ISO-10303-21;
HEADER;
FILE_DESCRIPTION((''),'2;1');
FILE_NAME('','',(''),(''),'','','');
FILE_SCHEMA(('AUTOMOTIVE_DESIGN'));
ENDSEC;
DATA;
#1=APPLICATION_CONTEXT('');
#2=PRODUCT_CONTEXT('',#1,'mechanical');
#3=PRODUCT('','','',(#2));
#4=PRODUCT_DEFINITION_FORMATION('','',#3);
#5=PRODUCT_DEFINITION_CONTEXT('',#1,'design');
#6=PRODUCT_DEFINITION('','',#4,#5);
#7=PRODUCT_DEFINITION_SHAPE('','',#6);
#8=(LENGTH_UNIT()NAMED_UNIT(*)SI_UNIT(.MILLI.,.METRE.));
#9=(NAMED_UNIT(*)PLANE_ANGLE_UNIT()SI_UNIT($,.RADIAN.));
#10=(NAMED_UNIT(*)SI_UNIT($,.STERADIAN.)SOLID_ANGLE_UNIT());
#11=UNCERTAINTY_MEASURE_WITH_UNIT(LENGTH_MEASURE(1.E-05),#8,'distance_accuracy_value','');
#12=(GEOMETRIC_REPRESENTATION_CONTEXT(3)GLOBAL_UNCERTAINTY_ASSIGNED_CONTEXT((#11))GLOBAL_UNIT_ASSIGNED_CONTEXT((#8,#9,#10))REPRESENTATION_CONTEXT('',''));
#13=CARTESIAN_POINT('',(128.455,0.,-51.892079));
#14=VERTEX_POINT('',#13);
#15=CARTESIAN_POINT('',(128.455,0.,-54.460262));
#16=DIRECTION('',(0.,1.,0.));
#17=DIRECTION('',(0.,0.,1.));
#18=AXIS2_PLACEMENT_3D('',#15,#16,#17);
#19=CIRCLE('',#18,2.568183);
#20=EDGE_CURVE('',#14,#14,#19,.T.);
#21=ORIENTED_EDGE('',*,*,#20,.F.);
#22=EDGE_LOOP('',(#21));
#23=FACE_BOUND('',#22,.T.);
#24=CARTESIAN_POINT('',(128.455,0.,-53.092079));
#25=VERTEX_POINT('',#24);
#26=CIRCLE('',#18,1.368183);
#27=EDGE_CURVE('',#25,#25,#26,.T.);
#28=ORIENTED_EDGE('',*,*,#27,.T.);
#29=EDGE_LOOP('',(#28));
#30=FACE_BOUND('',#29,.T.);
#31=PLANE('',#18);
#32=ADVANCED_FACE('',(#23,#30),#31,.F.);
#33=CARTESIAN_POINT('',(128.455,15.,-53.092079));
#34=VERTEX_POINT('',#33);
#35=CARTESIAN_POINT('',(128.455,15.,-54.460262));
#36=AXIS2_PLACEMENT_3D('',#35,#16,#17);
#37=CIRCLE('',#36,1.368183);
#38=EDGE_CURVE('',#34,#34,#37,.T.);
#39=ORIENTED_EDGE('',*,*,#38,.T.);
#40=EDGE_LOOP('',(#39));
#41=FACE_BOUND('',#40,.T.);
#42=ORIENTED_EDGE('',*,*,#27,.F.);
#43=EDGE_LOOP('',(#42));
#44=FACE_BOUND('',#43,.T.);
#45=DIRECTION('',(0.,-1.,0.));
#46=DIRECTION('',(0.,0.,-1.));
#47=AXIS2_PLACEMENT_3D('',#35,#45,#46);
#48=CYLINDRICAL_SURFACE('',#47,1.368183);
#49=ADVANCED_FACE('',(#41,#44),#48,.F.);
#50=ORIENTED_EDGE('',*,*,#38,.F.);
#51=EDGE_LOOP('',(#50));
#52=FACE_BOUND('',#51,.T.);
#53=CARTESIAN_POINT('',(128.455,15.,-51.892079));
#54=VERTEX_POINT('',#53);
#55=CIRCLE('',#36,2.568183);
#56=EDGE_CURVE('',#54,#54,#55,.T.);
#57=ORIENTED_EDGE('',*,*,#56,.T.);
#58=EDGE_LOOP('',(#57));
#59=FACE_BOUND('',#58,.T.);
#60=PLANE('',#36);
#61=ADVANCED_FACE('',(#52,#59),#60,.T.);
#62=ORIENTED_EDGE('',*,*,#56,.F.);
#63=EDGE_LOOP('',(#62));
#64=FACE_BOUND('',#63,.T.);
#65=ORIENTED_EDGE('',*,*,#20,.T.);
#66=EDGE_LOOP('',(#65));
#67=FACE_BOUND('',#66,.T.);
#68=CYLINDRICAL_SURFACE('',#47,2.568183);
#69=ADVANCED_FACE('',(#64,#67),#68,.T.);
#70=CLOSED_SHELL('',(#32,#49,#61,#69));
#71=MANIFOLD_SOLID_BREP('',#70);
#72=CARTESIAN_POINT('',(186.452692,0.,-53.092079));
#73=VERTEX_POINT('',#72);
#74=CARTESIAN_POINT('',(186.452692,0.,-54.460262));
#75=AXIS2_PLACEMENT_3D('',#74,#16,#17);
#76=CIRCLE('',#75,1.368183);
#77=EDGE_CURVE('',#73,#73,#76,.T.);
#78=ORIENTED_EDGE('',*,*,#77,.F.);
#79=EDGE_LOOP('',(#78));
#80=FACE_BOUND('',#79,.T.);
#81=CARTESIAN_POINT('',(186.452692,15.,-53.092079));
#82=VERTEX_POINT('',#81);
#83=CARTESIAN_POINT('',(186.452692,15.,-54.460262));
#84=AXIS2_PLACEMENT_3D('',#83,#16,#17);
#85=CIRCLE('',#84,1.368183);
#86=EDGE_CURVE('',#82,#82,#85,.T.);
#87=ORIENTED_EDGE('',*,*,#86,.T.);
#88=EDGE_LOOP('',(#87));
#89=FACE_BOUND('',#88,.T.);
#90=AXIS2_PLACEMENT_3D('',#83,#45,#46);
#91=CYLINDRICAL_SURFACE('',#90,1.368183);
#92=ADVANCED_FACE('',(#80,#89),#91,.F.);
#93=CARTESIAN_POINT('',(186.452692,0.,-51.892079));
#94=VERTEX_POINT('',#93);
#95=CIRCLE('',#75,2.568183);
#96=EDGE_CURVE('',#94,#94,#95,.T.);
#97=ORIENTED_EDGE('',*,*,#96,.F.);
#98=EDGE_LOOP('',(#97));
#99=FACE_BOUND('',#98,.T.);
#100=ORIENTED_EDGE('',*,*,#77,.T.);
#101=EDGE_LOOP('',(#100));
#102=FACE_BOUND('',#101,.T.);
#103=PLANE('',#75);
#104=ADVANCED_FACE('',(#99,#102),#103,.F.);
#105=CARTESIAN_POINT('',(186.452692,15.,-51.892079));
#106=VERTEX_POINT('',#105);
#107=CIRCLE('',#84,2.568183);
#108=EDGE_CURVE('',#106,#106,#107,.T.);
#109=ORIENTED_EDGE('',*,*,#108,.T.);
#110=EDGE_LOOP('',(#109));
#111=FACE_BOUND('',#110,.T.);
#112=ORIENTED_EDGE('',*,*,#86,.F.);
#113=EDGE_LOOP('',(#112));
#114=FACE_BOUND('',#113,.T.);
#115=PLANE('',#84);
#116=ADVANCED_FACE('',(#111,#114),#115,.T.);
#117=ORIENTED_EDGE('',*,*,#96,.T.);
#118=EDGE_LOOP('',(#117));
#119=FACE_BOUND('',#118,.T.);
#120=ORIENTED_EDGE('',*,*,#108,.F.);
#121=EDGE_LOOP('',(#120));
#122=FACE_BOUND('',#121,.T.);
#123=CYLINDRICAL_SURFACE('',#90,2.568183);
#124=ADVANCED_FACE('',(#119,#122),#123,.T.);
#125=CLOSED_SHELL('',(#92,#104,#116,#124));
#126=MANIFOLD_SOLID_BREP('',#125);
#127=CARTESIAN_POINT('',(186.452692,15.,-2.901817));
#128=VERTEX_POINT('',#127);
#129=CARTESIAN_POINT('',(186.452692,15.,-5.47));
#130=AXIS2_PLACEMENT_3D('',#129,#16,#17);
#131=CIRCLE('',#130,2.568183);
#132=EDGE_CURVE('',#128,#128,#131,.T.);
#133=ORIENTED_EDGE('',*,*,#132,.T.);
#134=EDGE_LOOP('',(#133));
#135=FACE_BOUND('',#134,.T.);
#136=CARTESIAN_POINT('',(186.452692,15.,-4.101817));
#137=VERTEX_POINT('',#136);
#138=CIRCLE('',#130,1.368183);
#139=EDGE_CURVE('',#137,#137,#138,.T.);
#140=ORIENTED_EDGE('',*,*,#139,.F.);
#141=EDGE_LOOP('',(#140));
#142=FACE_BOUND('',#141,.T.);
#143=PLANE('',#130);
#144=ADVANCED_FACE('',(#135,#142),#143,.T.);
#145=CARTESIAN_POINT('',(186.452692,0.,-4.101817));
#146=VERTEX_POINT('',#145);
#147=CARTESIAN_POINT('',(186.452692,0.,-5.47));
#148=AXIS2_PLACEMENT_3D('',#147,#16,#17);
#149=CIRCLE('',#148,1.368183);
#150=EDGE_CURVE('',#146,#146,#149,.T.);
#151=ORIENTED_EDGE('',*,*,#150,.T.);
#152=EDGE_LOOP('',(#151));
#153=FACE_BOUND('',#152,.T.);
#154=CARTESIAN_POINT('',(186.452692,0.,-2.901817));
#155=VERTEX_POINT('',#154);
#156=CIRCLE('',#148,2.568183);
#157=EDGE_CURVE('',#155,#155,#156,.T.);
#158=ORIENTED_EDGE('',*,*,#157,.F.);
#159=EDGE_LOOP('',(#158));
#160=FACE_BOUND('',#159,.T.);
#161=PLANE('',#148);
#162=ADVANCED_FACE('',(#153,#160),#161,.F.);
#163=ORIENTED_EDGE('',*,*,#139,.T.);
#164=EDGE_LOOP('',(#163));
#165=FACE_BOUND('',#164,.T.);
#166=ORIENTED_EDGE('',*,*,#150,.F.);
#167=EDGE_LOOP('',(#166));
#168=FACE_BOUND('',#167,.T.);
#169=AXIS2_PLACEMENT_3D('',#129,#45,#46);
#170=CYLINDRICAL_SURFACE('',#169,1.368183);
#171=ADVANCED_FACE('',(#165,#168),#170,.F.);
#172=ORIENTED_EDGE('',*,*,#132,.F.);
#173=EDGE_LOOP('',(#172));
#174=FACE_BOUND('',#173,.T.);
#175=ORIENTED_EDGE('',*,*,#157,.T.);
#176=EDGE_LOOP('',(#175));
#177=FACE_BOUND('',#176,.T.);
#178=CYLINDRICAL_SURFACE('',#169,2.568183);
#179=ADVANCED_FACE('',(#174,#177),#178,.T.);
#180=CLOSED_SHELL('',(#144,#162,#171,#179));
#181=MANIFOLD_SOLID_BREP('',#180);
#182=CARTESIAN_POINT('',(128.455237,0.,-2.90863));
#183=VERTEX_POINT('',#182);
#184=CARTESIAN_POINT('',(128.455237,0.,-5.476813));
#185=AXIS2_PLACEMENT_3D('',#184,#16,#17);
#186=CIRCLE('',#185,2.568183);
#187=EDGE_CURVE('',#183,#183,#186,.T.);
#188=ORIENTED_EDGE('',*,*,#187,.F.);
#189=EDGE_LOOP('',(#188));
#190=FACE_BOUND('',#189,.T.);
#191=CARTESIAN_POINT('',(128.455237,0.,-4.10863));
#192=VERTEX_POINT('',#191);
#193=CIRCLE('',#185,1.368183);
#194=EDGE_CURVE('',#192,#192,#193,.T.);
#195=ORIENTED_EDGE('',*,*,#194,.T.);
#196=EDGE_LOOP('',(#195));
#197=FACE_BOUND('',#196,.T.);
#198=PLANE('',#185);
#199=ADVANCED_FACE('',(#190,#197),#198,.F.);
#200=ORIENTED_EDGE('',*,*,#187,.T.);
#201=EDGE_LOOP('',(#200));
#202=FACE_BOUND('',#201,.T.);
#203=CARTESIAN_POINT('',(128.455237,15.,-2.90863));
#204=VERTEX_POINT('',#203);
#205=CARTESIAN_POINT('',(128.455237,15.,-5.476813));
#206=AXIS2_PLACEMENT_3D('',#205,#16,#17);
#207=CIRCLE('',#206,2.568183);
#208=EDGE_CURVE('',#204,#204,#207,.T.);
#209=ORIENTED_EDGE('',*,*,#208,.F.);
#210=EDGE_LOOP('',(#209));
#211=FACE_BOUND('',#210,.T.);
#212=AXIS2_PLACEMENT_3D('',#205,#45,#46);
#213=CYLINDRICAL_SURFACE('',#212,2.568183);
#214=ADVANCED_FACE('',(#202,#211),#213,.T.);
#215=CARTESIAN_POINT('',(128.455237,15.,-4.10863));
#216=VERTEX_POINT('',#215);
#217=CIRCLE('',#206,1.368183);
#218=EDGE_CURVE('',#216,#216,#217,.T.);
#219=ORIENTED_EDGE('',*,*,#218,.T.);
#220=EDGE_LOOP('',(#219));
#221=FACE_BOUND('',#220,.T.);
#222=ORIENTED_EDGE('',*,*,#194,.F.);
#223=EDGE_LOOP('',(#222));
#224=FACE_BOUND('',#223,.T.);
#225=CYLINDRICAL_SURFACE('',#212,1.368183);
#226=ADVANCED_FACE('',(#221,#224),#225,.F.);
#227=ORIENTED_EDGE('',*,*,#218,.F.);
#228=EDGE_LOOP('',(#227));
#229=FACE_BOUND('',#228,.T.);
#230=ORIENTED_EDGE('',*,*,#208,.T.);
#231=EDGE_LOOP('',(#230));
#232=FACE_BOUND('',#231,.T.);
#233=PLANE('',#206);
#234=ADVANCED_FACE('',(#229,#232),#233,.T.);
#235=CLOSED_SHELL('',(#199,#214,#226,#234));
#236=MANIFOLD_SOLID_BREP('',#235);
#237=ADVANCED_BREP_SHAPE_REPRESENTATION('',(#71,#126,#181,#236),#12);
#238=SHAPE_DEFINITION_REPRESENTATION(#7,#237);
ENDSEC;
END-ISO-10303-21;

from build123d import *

# Parameters (mm, degrees)
SKETCH2_R             = 2.568182908
SKETCH2_R_2           = 1.368182908
BOSS_EXTRUDE1_DEPTH   = 15
BOSS_EXTRUDE1_2_DEPTH = 15
BOSS_EXTRUDE1_3_DEPTH = 15
BOSS_EXTRUDE1_4_DEPTH = 15


with BuildPart() as part:
    # Sketch2 → Boss-Extrude1 (new body)
    with BuildSketch(Plane(origin=(0, 0, 0), x_dir=(1, 0, 0), z_dir=(0, 1, 0))):
        with Locations(Location((186.452691975, 5.47, 0), (0, 0, 270))):
            Circle(SKETCH2_R)
        with Locations(Location((186.452691975, 5.47, 0), (0, 0, 270))):
            Circle(SKETCH2_R_2, mode=Mode.SUBTRACT)
    extrude(amount=BOSS_EXTRUDE1_DEPTH)


with BuildPart() as body_2:
    # Sketch2 → Boss-Extrude1 2 (new body)
    with BuildSketch(Plane(origin=(0, 0, 0), x_dir=(1, 0, 0), z_dir=(0, 1, 0))):
        with Locations(Location((128.455237248, 5.476812962, 0), (0, 0, 270))):
            Circle(SKETCH2_R)
        with Locations(Location((128.455237248, 5.476812962, 0), (0, 0, 270))):
            Circle(SKETCH2_R_2, mode=Mode.SUBTRACT)
    extrude(amount=BOSS_EXTRUDE1_2_DEPTH)


with BuildPart() as body_3:
    # Sketch2 → Boss-Extrude1 3 (new body)
    with BuildSketch(Plane(origin=(0, 0, 0), x_dir=(1, 0, 0), z_dir=(0, 1, 0))):
        with Locations(Location((186.452691975, 54.460262304, 0), (0, 0, 270))):
            Circle(SKETCH2_R)
        with Locations(Location((186.452691975, 54.460262304, 0), (0, 0, 270))):
            Circle(SKETCH2_R_2, mode=Mode.SUBTRACT)
    extrude(amount=BOSS_EXTRUDE1_3_DEPTH)


with BuildPart() as body_4:
    # Sketch2 → Boss-Extrude1 4 (new body)
    with BuildSketch(Plane(origin=(0, 0, 0), x_dir=(1, 0, 0), z_dir=(0, 1, 0))):
        with Locations(Location((128.455, 54.460262304, 0), (0, 0, 270))):
            Circle(SKETCH2_R)
        with Locations(Location((128.455, 54.460262304, 0), (0, 0, 270))):
            Circle(SKETCH2_R_2, mode=Mode.SUBTRACT)
    extrude(amount=BOSS_EXTRUDE1_4_DEPTH)


solid = Compound([part.part, body_2.part, body_3.part, body_4.part])
